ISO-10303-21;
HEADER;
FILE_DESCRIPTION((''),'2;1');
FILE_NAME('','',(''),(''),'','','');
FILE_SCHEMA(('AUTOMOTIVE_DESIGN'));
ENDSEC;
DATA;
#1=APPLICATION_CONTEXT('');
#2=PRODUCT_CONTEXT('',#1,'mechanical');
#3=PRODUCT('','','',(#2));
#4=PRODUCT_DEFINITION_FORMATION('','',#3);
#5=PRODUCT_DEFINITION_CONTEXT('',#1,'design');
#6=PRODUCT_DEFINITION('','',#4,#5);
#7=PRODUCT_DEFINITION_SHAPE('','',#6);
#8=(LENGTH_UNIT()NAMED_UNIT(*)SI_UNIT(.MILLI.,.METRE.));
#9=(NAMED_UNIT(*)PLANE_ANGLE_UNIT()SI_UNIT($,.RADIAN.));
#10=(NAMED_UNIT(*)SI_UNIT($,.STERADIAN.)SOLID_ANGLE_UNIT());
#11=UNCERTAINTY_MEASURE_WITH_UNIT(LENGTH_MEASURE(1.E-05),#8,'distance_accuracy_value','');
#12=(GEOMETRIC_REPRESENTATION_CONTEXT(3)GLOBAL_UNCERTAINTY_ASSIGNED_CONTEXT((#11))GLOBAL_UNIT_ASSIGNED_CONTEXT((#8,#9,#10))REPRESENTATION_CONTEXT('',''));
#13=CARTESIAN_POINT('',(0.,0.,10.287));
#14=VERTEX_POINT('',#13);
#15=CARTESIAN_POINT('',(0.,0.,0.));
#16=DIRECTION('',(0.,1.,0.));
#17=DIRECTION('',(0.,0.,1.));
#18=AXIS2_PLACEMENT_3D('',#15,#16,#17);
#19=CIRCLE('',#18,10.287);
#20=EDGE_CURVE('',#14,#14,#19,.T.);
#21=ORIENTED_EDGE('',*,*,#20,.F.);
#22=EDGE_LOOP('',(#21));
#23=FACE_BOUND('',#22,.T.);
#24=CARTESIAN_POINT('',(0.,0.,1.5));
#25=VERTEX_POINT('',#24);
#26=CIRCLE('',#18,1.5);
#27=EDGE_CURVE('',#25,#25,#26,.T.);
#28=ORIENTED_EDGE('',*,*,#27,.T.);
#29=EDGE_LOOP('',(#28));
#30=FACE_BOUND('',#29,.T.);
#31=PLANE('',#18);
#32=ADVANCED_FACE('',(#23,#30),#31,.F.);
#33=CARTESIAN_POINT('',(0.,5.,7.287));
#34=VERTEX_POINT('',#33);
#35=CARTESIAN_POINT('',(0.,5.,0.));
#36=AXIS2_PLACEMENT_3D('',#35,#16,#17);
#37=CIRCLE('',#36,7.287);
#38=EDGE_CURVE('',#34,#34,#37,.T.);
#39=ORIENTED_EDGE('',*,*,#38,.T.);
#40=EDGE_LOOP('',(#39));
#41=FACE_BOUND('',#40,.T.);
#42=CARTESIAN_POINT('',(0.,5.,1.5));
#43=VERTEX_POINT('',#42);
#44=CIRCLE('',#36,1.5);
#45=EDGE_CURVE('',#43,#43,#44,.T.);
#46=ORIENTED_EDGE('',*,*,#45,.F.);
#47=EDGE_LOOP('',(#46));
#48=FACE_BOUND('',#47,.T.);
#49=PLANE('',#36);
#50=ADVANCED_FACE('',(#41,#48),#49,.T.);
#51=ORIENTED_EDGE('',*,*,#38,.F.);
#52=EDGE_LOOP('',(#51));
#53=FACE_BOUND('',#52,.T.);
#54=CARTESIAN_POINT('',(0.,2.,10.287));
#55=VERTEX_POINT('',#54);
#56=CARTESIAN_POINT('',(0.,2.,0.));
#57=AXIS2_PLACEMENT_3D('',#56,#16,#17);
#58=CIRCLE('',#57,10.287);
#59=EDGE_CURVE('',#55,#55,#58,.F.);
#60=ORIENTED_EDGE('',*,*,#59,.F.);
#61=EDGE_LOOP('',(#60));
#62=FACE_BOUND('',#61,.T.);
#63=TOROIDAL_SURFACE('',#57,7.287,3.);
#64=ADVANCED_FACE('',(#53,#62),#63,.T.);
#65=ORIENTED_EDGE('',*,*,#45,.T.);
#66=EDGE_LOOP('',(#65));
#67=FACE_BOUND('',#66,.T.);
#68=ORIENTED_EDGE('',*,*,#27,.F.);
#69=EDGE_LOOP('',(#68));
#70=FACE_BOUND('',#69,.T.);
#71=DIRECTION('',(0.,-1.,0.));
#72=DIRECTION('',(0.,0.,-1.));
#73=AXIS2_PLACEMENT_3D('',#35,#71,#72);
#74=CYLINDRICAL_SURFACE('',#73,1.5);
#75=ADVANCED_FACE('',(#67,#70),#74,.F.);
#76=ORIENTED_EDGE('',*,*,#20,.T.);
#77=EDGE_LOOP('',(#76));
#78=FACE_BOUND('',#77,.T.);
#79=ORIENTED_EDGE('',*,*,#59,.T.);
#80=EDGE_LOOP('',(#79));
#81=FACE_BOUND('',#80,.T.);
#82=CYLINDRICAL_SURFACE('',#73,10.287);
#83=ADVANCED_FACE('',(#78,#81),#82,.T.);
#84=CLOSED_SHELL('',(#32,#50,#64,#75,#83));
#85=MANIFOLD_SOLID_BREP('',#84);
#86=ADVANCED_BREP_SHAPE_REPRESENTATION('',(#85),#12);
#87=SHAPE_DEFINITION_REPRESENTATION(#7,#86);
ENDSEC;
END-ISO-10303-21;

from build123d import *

# Parameters (mm, degrees)
SKETCH1_R           = 10.287
SKETCH1_R_2         = 1.5
BOSS_EXTRUDE1_DEPTH = 5
FILLET1_R           = 3


with BuildPart() as part:
    # Sketch1 → Boss-Extrude1 (new body)
    with BuildSketch(Plane(origin=(0, 0, 0), x_dir=(1, 0, 0), z_dir=(0, 1, 0))):
        with Locations(Location((0, 0, 0), (0, 0, 270))):
            Circle(SKETCH1_R)
        with Locations(Location((0, 0, 0), (0, 0, 270))):
            Circle(SKETCH1_R_2, mode=Mode.SUBTRACT)
    extrude(amount=BOSS_EXTRUDE1_DEPTH)

    # Fillet1
    fillet1_edges = [part.edges().sort_by_distance(p)[0] for p in [
        (0, 5, -10.287),
    ]]
    fillet(fillet1_edges, radius=FILLET1_R)


solid = part.part
